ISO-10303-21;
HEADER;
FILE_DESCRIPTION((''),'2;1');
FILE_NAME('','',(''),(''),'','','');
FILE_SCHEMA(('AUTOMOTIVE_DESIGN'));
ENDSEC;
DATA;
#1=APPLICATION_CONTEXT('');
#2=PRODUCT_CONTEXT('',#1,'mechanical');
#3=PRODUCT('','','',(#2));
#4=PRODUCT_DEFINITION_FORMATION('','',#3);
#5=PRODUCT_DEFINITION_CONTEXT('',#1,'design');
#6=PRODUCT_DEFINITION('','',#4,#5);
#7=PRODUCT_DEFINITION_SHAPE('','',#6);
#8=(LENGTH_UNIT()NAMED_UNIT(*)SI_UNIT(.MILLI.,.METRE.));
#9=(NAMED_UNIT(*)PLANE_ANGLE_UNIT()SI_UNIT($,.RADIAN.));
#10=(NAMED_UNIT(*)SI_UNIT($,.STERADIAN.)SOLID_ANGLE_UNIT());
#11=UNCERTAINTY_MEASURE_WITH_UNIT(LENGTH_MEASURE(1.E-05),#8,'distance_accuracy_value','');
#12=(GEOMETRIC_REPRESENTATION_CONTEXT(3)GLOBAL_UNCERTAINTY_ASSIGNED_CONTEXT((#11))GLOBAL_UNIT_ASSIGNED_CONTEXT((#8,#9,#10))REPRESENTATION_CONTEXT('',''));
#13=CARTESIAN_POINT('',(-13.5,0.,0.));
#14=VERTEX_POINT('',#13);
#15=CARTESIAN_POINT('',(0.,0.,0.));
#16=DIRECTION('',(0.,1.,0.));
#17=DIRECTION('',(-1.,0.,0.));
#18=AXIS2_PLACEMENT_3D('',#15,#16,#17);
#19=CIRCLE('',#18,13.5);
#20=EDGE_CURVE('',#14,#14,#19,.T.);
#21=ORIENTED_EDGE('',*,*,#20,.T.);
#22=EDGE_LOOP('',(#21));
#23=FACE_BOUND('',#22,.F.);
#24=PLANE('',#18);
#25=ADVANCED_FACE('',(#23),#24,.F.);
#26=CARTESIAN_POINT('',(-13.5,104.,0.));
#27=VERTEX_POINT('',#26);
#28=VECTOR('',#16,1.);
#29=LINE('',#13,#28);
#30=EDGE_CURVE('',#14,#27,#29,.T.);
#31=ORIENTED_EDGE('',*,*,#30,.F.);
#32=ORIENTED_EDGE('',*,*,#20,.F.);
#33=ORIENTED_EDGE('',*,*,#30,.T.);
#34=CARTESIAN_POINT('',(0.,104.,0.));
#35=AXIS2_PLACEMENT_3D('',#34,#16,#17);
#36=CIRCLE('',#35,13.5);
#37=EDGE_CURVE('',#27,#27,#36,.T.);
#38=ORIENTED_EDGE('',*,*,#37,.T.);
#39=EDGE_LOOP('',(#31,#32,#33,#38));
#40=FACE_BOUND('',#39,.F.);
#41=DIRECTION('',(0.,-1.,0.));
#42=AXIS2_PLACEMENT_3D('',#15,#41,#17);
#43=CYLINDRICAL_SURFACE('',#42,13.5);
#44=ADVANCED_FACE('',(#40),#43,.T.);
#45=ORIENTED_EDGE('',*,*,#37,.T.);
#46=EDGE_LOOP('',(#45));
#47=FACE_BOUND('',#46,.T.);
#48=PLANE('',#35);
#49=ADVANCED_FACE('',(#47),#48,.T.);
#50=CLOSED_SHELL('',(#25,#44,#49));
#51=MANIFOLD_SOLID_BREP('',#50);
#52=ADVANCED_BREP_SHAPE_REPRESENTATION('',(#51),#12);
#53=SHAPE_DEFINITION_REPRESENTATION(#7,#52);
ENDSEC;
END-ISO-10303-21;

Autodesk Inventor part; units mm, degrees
ref_plane "YZ Plane" through (0, 0, 0) normal (1, 0, 0) x (0, 1, 0)
ref_plane "XZ Plane" through (0, 0, 0) normal (0, 1, 0) x (-1, 0, 0)
ref_plane "XY Plane" through (0, 0, 0) normal (0, 0, 1) x (1, 0, 0)
sketch "Эскиз1" plane through (0, 0, 0) normal (0, 1, 0) x (-1, 0, 0)
  circle A0 centre (0, 0) radius 13.5
  dimension "d0" = 27
extrude "Выдавливание1" add sketch "Эскиз1" along normal blind 104
properties part number "Sodium_electrode" material "Алюминий 6061"
